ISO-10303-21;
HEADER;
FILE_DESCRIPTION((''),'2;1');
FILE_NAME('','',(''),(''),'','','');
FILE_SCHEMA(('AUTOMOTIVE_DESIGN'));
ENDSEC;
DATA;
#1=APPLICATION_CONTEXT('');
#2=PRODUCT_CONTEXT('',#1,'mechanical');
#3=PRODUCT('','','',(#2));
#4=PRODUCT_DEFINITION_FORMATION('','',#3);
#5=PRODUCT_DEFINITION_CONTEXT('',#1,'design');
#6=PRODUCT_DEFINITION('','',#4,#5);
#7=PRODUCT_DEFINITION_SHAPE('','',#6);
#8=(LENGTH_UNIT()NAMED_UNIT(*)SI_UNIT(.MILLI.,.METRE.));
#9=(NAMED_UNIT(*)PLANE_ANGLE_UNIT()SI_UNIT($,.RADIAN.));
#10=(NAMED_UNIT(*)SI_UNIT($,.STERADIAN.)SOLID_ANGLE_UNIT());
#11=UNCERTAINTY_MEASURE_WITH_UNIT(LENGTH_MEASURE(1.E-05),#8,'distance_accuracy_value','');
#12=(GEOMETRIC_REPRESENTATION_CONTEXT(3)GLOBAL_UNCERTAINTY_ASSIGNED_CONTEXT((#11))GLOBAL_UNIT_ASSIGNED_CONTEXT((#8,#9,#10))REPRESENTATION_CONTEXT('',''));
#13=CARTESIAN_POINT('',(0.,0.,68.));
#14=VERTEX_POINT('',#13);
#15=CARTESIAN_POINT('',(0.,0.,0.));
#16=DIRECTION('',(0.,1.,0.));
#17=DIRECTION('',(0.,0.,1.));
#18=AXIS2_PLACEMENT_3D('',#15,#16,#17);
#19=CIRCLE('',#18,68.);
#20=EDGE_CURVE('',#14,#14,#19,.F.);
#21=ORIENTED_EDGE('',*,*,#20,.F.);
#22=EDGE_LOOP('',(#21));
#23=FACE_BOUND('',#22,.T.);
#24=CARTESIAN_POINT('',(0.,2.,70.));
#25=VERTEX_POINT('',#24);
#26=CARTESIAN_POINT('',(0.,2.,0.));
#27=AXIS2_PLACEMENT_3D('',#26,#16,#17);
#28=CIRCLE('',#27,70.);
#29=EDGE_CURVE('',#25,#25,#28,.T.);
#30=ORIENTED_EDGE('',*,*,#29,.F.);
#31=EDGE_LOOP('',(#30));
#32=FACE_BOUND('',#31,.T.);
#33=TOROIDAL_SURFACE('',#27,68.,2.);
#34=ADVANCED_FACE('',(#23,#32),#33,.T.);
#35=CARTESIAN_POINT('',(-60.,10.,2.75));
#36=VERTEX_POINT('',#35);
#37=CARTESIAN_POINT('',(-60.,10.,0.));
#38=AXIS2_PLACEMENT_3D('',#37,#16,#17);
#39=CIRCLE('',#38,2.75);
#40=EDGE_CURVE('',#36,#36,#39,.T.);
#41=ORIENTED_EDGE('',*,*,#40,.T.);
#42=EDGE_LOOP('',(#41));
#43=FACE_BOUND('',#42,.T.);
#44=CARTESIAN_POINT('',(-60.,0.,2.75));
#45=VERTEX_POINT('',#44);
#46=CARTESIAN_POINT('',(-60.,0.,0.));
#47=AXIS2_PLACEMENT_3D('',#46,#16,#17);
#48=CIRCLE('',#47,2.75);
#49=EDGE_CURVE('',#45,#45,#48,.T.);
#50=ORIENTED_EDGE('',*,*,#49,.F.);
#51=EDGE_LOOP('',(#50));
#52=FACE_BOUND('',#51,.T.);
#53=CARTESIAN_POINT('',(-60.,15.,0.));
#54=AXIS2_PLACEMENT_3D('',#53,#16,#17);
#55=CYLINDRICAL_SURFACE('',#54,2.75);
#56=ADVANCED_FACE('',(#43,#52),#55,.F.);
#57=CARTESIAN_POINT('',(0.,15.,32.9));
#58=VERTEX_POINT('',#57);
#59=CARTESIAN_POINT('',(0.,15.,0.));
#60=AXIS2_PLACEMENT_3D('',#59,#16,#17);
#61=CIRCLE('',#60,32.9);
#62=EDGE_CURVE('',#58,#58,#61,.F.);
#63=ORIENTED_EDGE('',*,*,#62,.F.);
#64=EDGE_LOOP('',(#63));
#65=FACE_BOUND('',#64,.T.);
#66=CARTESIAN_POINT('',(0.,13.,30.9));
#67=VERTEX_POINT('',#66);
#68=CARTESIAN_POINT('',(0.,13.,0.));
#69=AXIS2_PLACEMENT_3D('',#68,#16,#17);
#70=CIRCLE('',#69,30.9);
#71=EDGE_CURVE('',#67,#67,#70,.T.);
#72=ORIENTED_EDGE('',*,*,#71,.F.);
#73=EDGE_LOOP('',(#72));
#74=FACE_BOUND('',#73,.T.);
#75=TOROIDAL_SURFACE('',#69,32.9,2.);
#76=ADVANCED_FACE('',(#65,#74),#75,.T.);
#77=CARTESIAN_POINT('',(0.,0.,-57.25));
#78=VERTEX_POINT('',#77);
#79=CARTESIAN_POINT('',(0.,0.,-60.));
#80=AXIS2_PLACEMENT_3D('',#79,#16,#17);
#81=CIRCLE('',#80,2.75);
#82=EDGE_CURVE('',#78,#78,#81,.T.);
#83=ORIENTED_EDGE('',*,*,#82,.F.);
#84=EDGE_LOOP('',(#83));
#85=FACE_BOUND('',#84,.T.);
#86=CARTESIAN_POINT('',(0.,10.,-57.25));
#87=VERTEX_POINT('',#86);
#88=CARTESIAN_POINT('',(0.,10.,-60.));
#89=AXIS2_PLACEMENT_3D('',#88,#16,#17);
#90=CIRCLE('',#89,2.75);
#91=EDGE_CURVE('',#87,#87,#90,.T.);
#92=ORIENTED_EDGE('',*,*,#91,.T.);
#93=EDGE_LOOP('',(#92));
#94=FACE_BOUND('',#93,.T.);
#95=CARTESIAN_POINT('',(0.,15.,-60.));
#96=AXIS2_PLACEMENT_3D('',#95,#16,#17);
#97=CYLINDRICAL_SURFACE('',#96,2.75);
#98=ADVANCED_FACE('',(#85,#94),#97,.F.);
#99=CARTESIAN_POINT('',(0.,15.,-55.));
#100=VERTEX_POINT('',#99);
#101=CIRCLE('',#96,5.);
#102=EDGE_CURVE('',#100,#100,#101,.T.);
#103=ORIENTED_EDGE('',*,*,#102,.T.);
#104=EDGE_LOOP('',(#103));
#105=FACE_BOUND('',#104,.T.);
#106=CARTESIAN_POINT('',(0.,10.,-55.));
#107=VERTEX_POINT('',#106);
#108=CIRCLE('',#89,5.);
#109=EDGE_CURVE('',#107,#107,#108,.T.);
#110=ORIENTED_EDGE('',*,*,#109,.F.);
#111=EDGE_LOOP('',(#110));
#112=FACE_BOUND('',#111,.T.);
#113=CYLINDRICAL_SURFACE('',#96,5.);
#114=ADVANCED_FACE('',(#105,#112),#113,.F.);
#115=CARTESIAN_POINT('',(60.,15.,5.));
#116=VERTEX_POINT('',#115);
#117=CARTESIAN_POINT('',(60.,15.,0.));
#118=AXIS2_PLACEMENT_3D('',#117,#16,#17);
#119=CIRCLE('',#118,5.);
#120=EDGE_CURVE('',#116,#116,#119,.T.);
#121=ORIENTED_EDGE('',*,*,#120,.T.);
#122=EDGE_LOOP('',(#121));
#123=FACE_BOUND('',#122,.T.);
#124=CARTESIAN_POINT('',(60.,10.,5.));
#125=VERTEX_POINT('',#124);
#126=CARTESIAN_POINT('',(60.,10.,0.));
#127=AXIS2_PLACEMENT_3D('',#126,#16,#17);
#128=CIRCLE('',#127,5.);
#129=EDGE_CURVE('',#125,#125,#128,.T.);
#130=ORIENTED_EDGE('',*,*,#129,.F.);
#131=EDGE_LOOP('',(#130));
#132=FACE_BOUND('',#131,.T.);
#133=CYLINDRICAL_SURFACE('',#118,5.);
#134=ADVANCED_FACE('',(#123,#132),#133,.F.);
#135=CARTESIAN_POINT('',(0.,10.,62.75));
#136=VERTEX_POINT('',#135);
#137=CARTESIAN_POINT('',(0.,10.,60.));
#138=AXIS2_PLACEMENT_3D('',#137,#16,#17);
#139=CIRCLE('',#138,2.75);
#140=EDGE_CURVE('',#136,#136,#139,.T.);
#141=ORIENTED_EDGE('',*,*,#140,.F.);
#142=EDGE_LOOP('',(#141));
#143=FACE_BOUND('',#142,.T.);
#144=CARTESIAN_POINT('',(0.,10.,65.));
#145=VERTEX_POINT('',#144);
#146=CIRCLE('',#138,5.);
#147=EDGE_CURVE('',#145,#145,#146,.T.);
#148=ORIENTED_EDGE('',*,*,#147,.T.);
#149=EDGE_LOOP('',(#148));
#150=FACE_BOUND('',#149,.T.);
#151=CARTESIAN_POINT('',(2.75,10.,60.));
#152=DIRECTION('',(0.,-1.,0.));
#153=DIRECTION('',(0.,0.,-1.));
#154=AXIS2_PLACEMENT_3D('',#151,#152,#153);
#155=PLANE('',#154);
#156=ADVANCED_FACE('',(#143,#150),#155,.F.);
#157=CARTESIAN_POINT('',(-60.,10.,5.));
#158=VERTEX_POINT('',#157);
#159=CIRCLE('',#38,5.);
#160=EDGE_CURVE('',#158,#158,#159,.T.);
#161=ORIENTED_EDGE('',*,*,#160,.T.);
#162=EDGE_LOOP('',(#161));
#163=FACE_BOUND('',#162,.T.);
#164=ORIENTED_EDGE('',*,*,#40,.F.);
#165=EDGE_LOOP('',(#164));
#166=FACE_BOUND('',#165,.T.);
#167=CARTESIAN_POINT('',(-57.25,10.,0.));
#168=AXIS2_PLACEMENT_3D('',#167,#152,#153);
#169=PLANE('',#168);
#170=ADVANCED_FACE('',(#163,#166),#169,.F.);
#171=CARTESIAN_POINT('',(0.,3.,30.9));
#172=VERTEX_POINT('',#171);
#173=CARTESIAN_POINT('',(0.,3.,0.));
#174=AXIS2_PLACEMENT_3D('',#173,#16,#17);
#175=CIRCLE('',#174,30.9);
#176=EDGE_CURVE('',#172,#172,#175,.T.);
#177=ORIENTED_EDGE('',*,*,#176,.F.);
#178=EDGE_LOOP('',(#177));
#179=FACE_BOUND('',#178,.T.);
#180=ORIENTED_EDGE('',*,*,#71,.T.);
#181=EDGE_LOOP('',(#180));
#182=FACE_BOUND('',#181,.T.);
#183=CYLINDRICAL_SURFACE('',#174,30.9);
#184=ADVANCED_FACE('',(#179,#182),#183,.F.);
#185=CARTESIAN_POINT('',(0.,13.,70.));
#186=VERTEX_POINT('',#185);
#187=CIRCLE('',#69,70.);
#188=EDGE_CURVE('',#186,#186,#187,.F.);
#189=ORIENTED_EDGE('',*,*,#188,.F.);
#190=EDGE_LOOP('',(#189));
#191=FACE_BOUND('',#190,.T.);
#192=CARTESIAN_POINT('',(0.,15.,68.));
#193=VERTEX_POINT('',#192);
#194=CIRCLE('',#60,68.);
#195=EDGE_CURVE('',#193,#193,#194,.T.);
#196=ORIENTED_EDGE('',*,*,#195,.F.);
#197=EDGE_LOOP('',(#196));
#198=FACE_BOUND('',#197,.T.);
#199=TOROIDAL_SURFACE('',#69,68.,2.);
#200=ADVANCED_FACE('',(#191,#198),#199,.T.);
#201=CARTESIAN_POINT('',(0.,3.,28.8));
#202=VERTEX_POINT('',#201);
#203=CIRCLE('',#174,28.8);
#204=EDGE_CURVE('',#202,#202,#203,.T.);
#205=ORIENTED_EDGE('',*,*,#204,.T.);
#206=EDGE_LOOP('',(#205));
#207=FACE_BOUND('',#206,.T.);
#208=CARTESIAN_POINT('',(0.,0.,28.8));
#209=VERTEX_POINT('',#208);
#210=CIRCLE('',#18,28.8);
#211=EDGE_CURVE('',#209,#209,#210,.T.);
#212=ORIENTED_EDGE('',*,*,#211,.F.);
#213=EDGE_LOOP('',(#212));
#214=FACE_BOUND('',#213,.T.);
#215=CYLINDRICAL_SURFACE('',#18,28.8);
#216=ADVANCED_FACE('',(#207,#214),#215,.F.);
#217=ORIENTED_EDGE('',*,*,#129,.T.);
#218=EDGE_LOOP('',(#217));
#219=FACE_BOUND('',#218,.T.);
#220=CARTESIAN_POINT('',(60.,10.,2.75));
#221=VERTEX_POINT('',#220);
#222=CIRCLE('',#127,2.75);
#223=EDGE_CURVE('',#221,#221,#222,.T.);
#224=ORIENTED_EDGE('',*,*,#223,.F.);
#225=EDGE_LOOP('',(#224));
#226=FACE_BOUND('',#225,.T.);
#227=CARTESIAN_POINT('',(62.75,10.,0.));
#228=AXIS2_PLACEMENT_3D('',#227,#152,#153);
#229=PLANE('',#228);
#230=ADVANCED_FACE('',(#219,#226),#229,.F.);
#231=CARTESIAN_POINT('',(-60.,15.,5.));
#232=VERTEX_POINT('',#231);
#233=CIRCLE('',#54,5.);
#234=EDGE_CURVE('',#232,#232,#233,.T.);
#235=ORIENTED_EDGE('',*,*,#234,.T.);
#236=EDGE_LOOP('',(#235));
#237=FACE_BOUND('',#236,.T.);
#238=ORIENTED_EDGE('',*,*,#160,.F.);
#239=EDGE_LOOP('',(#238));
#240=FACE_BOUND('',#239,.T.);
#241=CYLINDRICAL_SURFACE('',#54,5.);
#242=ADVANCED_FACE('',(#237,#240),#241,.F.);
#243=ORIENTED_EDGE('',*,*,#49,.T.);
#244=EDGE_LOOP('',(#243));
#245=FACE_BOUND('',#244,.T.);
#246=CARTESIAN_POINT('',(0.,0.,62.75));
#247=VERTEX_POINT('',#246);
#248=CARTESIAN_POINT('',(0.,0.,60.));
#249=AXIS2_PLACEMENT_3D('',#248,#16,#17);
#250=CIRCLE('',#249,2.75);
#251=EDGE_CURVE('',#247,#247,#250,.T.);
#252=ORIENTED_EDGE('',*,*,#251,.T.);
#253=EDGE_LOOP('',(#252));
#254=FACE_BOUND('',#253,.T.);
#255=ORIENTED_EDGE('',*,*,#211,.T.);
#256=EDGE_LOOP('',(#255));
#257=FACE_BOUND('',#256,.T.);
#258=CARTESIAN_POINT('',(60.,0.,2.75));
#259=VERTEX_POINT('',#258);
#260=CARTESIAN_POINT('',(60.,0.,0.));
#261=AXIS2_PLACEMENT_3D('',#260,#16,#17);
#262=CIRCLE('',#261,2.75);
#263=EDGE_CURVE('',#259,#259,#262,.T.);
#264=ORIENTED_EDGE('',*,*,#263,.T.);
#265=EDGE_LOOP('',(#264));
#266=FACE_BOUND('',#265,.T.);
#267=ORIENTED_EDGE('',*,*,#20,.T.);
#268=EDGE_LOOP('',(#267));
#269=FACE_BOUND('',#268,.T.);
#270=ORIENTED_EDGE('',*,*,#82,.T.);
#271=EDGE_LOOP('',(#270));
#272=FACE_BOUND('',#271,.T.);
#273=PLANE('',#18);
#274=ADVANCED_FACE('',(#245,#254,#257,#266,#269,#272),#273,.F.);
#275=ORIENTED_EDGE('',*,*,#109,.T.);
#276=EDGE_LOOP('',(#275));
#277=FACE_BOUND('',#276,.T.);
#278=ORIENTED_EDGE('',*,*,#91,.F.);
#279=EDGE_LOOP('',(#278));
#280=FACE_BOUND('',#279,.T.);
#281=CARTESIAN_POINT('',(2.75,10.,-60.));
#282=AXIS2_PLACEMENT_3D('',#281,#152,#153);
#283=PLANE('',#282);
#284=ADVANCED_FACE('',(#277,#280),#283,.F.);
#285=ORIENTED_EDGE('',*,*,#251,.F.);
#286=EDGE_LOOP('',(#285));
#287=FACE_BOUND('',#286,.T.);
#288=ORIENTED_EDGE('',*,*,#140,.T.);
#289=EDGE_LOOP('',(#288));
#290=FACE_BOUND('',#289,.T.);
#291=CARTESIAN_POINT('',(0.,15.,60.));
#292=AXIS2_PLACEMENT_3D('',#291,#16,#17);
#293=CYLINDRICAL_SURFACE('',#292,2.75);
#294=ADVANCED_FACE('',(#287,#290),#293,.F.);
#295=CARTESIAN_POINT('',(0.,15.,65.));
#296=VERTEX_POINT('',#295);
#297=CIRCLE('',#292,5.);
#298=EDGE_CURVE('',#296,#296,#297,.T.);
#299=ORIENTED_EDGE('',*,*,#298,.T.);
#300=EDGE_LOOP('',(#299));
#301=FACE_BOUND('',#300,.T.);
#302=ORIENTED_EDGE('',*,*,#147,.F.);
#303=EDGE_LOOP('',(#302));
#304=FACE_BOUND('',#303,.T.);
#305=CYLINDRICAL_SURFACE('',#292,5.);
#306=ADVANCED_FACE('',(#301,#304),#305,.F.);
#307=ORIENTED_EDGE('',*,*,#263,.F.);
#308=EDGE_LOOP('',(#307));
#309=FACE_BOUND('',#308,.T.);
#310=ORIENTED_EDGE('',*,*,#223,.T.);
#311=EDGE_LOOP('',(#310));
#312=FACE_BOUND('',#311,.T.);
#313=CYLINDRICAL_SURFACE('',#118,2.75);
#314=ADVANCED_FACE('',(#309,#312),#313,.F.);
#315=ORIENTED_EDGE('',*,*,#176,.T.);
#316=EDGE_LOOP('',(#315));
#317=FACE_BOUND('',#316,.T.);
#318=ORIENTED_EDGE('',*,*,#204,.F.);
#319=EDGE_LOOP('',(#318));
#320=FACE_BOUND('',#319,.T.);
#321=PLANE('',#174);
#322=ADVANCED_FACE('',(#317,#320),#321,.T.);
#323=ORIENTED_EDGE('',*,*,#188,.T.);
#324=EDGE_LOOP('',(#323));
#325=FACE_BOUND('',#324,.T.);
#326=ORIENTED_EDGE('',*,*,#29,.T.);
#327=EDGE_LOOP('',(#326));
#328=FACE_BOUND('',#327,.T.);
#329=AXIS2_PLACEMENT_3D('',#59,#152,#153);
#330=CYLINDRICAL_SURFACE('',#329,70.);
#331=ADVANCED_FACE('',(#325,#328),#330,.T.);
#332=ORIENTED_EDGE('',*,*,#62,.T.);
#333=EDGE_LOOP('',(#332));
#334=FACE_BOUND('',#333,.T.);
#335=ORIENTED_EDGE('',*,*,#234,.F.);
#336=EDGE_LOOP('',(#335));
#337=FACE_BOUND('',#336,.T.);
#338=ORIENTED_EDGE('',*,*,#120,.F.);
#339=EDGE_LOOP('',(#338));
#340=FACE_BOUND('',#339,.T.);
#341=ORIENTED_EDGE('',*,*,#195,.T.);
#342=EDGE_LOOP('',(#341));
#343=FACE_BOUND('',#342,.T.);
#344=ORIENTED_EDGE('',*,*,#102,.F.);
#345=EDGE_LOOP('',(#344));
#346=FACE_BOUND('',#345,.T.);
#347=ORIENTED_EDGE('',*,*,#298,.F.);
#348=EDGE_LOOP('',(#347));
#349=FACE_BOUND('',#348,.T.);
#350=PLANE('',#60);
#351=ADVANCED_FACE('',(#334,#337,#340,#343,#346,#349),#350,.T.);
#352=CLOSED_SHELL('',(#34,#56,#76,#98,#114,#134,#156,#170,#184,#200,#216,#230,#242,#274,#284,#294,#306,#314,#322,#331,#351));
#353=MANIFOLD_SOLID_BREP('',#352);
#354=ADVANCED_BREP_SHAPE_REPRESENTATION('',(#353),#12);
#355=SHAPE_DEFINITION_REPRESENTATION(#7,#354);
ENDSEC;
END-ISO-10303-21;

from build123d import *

# Parameters (mm, degrees)
SKETCH2_R                      = 70
BOSS_EXTRUDE1_DEPTH            = 15
SKETCH5_R                      = 30.9
CUT_EXTRUDE1_DEPTH             = 12
SKETCH6_R                      = 28.8
CUT_EXTRUDE2_DEPTH             = 100.719606899
FILLET1_R                      = 2
CBORE_FOR_M5_SHCS1_D           = 5.5
CBORE_FOR_M5_SHCS1_CBORE_D     = 10
CBORE_FOR_M5_SHCS1_CBORE_DEPTH = 5


with BuildPart() as part:
    # Sketch2 → Boss-Extrude1 (new body)
    with BuildSketch(Plane(origin=(0, 0, 0), x_dir=(1, 0, 0), z_dir=(0, 1, 0))):
        with Locations(Location((0, 0, 0), (0, 0, 270))):
            Circle(SKETCH2_R)
    extrude(amount=BOSS_EXTRUDE1_DEPTH)

    # Sketch5 → Cut-Extrude1 (cut)
    with BuildSketch(Plane(origin=(0, 15, 0), x_dir=(1, 0, 0), z_dir=(0, 1, 0))):
        with Locations(Location((0, 0, 0), (0, 0, 270))):
            Circle(SKETCH5_R)
    extrude(amount=-CUT_EXTRUDE1_DEPTH, mode=Mode.SUBTRACT)

    # Sketch6 → Cut-Extrude2 (cut, through all)
    with BuildSketch(Plane(origin=(0, 3, 0), x_dir=(1, 0, 0), z_dir=(0, 1, 0))):
        with Locations(Location((0, 0, 0), (0, 0, 270))):
            Circle(SKETCH6_R)
    extrude(amount=-CUT_EXTRUDE2_DEPTH, mode=Mode.SUBTRACT)

    # Fillet1
    fillet1_edges = [part.edges().sort_by_distance(p)[0] for p in [
        (0, 0, -70),
        (0, 15, -70),
        (0, 15, -30.9),
    ]]
    fillet(fillet1_edges, radius=FILLET1_R)

    # CBORE for M5 SHCS1 (through all)
    with Locations(Plane(origin=(0, 15, 0), x_dir=(1, 0, 0), z_dir=(0, 1, 0))):
        with Locations((0, 60), (60, 0), (-60, 0), (0, -60)):
            CounterBoreHole(CBORE_FOR_M5_SHCS1_D / 2, CBORE_FOR_M5_SHCS1_CBORE_D / 2, CBORE_FOR_M5_SHCS1_CBORE_DEPTH)


solid = part.part
